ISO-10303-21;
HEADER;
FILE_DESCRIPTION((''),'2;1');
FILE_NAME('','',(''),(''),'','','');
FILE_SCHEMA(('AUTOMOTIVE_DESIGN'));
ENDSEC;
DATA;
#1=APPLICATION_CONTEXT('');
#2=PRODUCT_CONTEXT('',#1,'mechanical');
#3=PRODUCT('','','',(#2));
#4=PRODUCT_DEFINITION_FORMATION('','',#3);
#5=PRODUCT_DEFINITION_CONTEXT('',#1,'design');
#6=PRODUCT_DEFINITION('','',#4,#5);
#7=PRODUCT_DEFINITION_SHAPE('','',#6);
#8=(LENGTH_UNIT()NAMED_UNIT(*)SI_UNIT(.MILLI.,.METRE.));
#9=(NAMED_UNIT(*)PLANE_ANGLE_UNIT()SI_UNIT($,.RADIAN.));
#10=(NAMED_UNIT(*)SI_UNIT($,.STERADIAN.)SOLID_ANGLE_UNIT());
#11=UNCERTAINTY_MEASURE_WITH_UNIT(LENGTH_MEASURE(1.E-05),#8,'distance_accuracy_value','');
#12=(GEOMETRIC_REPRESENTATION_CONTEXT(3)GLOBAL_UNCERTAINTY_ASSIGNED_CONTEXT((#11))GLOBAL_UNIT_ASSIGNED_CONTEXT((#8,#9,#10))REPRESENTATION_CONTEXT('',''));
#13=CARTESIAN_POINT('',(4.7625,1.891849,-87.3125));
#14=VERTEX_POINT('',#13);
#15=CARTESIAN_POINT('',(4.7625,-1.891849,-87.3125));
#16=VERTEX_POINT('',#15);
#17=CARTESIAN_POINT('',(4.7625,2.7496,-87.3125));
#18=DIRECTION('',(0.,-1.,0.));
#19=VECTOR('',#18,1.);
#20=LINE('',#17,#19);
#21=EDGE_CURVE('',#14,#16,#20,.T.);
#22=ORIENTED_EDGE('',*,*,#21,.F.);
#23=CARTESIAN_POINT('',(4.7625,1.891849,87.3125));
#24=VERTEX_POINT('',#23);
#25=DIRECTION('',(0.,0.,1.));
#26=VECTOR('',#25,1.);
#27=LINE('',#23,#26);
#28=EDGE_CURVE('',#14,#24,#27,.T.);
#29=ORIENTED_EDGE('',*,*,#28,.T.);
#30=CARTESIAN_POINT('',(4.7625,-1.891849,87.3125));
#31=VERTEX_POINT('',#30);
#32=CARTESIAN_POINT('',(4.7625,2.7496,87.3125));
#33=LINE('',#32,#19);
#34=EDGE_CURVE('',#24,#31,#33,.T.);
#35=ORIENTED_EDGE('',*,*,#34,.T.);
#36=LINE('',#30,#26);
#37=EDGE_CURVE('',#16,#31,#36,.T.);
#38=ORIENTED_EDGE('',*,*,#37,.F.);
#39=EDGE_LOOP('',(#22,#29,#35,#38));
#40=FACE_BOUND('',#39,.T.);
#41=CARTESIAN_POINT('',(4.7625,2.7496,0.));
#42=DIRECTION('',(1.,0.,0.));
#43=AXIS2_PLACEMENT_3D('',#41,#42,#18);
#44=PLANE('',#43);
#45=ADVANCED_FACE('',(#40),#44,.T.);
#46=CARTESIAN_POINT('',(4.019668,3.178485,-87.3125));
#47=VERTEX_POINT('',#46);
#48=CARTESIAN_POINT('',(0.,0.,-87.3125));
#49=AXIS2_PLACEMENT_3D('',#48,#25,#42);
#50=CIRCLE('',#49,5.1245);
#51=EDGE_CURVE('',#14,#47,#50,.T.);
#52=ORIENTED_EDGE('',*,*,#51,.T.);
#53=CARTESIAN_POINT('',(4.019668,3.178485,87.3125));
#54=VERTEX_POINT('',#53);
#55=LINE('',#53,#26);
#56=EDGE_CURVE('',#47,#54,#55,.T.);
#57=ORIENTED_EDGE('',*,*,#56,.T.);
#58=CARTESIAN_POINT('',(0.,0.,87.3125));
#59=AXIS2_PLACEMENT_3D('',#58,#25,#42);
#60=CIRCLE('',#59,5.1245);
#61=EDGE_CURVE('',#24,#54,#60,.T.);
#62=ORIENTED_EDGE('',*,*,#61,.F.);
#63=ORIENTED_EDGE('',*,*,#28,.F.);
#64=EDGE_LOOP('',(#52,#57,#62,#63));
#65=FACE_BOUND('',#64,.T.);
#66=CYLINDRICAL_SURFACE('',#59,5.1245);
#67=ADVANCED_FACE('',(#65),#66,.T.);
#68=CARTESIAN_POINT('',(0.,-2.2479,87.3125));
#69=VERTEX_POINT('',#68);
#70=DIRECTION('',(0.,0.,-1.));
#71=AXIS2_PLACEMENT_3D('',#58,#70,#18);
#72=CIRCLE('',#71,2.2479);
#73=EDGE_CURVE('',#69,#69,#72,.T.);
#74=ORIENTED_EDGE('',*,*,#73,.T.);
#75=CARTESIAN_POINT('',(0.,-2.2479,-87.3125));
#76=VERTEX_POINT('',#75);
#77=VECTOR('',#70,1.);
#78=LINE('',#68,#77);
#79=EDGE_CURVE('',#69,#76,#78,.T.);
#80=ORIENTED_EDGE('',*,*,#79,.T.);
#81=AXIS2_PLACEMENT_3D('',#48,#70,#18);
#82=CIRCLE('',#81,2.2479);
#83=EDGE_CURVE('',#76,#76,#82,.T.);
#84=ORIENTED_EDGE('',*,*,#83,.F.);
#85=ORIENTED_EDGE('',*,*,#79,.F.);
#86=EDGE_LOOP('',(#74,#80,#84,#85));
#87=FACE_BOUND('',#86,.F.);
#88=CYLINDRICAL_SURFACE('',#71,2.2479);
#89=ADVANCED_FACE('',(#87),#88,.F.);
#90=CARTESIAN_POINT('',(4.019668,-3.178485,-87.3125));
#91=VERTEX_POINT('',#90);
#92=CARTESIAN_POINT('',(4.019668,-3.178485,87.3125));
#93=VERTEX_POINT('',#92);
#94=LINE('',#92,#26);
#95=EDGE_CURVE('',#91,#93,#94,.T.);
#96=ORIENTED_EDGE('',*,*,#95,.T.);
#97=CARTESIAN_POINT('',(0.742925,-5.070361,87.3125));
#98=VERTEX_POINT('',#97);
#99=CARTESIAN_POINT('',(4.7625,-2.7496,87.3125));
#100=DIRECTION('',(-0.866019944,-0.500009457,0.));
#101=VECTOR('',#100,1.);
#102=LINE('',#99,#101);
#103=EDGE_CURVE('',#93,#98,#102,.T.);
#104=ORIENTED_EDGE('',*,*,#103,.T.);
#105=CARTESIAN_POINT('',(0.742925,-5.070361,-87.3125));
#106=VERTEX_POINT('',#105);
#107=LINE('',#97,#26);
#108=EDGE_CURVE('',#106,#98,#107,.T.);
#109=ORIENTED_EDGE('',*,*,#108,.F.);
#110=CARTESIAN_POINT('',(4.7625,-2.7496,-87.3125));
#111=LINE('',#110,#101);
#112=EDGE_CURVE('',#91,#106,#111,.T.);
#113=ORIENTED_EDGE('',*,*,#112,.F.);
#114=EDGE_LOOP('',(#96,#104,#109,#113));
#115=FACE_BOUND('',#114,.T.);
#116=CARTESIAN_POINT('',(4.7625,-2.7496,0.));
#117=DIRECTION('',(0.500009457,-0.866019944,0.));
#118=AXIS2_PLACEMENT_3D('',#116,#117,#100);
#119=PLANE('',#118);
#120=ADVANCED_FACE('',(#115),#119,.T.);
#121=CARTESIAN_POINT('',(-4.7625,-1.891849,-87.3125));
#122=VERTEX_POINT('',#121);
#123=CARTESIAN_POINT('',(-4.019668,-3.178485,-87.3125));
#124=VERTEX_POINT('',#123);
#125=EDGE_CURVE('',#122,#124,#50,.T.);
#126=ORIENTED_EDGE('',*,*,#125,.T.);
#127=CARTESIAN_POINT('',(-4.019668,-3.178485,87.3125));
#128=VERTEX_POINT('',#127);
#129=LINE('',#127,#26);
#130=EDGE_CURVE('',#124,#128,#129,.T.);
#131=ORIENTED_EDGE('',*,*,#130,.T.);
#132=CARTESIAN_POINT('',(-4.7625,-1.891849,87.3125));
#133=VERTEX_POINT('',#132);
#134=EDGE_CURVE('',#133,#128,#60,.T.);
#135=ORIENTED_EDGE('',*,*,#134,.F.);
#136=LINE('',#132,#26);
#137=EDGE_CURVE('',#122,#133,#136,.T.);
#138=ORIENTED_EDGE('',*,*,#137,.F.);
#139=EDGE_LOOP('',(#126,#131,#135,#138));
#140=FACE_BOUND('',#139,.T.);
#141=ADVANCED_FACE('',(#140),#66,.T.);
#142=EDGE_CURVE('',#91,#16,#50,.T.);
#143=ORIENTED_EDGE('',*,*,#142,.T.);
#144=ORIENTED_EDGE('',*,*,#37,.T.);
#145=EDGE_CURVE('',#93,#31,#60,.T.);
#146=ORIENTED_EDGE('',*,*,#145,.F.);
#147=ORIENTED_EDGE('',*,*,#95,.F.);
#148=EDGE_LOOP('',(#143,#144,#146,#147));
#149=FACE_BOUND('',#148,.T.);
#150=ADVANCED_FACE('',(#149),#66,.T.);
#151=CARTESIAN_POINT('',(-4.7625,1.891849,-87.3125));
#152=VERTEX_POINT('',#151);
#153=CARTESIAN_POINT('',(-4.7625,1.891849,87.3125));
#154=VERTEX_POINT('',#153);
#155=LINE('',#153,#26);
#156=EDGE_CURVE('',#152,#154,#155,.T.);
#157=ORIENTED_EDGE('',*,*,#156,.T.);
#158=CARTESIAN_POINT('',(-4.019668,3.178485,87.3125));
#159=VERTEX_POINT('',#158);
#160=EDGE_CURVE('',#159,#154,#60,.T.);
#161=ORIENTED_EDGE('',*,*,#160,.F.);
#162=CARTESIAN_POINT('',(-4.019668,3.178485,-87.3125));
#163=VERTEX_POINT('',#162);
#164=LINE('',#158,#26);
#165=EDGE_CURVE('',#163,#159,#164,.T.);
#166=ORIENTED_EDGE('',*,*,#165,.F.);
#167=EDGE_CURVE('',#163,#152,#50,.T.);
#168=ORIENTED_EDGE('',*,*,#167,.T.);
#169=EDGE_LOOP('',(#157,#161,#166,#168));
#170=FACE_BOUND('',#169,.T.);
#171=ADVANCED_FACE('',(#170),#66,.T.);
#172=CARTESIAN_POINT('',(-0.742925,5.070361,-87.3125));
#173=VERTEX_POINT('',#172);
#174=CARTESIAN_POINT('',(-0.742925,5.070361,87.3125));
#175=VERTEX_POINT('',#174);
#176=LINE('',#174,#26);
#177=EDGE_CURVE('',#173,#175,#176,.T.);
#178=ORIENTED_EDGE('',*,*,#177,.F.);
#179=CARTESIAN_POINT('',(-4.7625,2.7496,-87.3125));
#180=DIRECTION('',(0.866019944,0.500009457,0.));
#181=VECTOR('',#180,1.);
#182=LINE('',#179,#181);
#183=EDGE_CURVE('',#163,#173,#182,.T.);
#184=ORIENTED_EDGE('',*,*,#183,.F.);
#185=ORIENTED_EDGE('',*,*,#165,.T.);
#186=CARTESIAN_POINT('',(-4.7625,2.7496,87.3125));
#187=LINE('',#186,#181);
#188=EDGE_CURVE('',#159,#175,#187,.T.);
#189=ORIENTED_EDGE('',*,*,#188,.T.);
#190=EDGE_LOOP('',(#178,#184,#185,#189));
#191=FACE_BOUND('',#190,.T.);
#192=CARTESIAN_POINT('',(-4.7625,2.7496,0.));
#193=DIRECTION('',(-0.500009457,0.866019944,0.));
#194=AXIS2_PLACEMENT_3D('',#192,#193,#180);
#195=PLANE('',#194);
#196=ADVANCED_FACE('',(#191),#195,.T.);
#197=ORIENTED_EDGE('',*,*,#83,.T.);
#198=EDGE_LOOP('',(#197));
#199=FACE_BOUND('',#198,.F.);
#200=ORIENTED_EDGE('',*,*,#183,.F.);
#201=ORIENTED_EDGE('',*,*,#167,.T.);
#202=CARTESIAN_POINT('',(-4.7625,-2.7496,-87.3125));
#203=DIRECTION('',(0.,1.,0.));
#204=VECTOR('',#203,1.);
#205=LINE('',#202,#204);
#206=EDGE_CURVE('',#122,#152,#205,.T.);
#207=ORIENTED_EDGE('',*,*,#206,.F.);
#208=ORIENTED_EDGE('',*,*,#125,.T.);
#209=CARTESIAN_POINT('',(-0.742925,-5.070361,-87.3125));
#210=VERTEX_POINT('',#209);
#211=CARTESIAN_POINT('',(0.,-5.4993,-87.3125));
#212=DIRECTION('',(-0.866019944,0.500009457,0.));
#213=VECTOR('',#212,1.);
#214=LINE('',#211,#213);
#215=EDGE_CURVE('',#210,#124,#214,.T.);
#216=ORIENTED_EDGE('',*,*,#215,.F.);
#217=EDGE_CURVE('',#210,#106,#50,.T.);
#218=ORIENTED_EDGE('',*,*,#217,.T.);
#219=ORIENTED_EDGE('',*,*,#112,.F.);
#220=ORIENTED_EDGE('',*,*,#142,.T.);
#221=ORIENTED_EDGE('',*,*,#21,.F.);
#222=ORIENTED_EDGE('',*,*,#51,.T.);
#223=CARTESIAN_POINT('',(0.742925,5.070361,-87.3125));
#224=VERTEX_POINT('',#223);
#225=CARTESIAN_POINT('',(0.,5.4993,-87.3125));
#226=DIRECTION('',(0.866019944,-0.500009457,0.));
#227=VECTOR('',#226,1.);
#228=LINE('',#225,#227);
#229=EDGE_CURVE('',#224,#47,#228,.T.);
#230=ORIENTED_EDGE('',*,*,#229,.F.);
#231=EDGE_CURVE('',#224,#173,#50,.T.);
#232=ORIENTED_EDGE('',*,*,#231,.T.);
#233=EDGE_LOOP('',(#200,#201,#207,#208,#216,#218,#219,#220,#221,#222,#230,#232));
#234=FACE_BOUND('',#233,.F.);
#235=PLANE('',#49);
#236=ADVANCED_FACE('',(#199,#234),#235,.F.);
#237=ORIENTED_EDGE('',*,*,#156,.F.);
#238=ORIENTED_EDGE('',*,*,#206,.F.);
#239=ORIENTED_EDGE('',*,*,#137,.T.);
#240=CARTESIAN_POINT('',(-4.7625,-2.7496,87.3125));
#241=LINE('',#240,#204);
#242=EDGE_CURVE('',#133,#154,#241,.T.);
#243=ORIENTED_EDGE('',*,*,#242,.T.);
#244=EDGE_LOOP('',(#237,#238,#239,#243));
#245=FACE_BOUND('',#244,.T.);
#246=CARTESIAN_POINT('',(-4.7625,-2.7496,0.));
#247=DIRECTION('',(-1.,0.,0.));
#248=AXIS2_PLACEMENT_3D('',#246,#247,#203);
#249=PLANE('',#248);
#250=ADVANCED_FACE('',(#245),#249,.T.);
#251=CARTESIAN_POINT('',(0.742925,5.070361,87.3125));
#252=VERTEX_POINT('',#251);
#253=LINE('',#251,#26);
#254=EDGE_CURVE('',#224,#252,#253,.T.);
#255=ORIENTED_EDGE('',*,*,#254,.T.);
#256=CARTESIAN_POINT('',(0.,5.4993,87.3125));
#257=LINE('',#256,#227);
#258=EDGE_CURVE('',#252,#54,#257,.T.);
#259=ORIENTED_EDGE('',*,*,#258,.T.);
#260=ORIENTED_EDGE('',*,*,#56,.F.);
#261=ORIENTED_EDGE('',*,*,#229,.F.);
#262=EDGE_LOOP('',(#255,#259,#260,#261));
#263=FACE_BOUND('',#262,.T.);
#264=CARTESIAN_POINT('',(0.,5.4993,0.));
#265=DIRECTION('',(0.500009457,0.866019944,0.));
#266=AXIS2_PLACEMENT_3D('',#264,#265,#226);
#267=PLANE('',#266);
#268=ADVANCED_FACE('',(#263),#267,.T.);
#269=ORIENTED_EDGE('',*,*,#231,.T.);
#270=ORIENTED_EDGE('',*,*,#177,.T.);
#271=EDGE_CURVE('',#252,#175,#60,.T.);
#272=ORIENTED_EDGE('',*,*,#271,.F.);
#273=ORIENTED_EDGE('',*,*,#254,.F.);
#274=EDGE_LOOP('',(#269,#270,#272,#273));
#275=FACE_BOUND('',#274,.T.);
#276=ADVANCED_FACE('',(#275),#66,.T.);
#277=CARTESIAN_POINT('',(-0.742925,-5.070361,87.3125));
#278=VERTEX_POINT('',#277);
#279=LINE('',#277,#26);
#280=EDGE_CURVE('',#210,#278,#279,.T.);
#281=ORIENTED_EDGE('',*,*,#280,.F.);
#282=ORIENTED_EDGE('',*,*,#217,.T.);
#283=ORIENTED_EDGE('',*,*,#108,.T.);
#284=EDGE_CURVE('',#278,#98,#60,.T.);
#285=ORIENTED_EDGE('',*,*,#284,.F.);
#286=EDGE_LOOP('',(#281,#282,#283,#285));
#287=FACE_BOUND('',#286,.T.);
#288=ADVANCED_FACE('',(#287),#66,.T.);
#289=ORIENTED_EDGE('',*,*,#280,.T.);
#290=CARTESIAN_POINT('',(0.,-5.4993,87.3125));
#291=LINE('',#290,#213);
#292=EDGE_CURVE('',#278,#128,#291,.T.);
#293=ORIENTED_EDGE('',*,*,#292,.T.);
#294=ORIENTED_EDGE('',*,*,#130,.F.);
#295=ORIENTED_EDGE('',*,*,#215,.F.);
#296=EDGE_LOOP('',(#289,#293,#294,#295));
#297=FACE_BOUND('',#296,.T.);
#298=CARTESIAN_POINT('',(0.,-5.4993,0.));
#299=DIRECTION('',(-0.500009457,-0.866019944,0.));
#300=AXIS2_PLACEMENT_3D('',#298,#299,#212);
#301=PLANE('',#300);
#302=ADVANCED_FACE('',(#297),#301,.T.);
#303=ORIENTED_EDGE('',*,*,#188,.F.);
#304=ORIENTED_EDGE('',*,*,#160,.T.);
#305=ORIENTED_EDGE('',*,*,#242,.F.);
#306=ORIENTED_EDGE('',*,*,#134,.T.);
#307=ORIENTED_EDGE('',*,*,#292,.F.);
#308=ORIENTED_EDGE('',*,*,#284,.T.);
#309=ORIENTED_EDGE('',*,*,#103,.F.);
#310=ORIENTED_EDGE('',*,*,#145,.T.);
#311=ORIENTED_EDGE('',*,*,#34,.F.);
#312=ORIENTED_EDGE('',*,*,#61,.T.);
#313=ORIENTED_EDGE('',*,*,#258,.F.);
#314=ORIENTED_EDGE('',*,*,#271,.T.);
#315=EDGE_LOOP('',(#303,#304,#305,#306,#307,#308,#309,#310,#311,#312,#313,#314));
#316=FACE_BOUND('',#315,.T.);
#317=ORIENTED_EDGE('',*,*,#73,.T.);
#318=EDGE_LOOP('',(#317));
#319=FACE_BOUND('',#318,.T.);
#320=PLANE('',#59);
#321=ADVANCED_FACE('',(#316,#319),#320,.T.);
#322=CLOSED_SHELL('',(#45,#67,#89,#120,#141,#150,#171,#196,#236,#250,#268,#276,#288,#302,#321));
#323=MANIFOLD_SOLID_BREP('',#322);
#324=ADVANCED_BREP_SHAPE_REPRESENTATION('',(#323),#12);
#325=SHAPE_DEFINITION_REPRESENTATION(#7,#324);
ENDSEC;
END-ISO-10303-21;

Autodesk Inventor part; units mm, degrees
ref_plane "YZ Plane" through (0, 0, 0) normal (1, 0, 0) x (0, 1, 0)
ref_plane "XZ Plane" through (0, 0, 0) normal (0, 1, 0) x (-1, 0, 0)
ref_plane "XY Plane" through (0, 0, 0) normal (0, 0, 1) x (1, 0, 0)
sketch "Sketch1" plane through (0, 0, 0) normal (0, 0, 1) x (1, 0, 0)
  line L0 (-4.7625, -2.7496) -> (-4.7625, 2.7496)
  line L1 (-4.7625, 2.7496) -> (0, 5.4993)
  line L2 (0, 5.4993) -> (4.7625, 2.7496)
  line L3 (4.7625, 2.7496) -> (4.7625, -2.7496)
  line L4 (4.7625, -2.7496) -> (0, -5.4993)
  line L5 (0, -5.4993) -> (-4.7625, -2.7496)
  point P0 (0, 0)
  point P1 (0, 0)
  dimension "Size" = 9.525
extrude "Extrusion1" add sketch "Sketch1" along normal mid plane 174.625
sketch "Sketch3" plane through (0, 0, 87.3125) normal (0, 0, 1) x (1, 0, 0)
  line L0 (-4.7625, 2.7496) -> (0, 5.4993) construction
  line L1 (0, 5.4993) -> (4.7625, 2.7496) construction
  line L2 (4.7625, 2.7496) -> (4.7625, -2.7496) construction
  line L3 (4.7625, -2.7496) -> (0, -5.4993) construction
  line L4 (0, -5.4993) -> (-4.7625, -2.7496) construction
  line L5 (-4.7625, -2.7496) -> (-4.7625, 2.7496) construction
  point P0 (0, 0)
hole "Hole1" at (0, 0, 87.3125) direction (0, 0, -1) diameter 4.4958 end through all
sketch "Sketch4" plane through (0, 0, 87.3125) normal (0, 0, 1) x (1, 0, 0)
  circle A0 centre (0, 0) radius 2.2479 construction
  line L0 (-4.7625, 2.7496) -> (0, 5.4993) construction
  line L1 (0, 5.4993) -> (4.7625, 2.7496) construction
  line L2 (4.7625, 2.7496) -> (4.7625, -2.7496) construction
  line L3 (4.7625, -2.7496) -> (0, -5.4993) construction
  line L4 (0, -5.4993) -> (-4.7625, -2.7496) construction
  line L5 (-4.7625, -2.7496) -> (-4.7625, 2.7496) construction
  circle A1 centre (0, 0) radius 5.1245
  circle A2 centre (0, 0) radius 8.89
  dimension "thunder" = 10.2489
  dimension "d16" = 17.78
extrude "Extrusion3" cut sketch "Sketch4" against normal through all
equation "\"bearing\" = 25.4"
properties part number "GP5-008" material "Aluminum 6061"
